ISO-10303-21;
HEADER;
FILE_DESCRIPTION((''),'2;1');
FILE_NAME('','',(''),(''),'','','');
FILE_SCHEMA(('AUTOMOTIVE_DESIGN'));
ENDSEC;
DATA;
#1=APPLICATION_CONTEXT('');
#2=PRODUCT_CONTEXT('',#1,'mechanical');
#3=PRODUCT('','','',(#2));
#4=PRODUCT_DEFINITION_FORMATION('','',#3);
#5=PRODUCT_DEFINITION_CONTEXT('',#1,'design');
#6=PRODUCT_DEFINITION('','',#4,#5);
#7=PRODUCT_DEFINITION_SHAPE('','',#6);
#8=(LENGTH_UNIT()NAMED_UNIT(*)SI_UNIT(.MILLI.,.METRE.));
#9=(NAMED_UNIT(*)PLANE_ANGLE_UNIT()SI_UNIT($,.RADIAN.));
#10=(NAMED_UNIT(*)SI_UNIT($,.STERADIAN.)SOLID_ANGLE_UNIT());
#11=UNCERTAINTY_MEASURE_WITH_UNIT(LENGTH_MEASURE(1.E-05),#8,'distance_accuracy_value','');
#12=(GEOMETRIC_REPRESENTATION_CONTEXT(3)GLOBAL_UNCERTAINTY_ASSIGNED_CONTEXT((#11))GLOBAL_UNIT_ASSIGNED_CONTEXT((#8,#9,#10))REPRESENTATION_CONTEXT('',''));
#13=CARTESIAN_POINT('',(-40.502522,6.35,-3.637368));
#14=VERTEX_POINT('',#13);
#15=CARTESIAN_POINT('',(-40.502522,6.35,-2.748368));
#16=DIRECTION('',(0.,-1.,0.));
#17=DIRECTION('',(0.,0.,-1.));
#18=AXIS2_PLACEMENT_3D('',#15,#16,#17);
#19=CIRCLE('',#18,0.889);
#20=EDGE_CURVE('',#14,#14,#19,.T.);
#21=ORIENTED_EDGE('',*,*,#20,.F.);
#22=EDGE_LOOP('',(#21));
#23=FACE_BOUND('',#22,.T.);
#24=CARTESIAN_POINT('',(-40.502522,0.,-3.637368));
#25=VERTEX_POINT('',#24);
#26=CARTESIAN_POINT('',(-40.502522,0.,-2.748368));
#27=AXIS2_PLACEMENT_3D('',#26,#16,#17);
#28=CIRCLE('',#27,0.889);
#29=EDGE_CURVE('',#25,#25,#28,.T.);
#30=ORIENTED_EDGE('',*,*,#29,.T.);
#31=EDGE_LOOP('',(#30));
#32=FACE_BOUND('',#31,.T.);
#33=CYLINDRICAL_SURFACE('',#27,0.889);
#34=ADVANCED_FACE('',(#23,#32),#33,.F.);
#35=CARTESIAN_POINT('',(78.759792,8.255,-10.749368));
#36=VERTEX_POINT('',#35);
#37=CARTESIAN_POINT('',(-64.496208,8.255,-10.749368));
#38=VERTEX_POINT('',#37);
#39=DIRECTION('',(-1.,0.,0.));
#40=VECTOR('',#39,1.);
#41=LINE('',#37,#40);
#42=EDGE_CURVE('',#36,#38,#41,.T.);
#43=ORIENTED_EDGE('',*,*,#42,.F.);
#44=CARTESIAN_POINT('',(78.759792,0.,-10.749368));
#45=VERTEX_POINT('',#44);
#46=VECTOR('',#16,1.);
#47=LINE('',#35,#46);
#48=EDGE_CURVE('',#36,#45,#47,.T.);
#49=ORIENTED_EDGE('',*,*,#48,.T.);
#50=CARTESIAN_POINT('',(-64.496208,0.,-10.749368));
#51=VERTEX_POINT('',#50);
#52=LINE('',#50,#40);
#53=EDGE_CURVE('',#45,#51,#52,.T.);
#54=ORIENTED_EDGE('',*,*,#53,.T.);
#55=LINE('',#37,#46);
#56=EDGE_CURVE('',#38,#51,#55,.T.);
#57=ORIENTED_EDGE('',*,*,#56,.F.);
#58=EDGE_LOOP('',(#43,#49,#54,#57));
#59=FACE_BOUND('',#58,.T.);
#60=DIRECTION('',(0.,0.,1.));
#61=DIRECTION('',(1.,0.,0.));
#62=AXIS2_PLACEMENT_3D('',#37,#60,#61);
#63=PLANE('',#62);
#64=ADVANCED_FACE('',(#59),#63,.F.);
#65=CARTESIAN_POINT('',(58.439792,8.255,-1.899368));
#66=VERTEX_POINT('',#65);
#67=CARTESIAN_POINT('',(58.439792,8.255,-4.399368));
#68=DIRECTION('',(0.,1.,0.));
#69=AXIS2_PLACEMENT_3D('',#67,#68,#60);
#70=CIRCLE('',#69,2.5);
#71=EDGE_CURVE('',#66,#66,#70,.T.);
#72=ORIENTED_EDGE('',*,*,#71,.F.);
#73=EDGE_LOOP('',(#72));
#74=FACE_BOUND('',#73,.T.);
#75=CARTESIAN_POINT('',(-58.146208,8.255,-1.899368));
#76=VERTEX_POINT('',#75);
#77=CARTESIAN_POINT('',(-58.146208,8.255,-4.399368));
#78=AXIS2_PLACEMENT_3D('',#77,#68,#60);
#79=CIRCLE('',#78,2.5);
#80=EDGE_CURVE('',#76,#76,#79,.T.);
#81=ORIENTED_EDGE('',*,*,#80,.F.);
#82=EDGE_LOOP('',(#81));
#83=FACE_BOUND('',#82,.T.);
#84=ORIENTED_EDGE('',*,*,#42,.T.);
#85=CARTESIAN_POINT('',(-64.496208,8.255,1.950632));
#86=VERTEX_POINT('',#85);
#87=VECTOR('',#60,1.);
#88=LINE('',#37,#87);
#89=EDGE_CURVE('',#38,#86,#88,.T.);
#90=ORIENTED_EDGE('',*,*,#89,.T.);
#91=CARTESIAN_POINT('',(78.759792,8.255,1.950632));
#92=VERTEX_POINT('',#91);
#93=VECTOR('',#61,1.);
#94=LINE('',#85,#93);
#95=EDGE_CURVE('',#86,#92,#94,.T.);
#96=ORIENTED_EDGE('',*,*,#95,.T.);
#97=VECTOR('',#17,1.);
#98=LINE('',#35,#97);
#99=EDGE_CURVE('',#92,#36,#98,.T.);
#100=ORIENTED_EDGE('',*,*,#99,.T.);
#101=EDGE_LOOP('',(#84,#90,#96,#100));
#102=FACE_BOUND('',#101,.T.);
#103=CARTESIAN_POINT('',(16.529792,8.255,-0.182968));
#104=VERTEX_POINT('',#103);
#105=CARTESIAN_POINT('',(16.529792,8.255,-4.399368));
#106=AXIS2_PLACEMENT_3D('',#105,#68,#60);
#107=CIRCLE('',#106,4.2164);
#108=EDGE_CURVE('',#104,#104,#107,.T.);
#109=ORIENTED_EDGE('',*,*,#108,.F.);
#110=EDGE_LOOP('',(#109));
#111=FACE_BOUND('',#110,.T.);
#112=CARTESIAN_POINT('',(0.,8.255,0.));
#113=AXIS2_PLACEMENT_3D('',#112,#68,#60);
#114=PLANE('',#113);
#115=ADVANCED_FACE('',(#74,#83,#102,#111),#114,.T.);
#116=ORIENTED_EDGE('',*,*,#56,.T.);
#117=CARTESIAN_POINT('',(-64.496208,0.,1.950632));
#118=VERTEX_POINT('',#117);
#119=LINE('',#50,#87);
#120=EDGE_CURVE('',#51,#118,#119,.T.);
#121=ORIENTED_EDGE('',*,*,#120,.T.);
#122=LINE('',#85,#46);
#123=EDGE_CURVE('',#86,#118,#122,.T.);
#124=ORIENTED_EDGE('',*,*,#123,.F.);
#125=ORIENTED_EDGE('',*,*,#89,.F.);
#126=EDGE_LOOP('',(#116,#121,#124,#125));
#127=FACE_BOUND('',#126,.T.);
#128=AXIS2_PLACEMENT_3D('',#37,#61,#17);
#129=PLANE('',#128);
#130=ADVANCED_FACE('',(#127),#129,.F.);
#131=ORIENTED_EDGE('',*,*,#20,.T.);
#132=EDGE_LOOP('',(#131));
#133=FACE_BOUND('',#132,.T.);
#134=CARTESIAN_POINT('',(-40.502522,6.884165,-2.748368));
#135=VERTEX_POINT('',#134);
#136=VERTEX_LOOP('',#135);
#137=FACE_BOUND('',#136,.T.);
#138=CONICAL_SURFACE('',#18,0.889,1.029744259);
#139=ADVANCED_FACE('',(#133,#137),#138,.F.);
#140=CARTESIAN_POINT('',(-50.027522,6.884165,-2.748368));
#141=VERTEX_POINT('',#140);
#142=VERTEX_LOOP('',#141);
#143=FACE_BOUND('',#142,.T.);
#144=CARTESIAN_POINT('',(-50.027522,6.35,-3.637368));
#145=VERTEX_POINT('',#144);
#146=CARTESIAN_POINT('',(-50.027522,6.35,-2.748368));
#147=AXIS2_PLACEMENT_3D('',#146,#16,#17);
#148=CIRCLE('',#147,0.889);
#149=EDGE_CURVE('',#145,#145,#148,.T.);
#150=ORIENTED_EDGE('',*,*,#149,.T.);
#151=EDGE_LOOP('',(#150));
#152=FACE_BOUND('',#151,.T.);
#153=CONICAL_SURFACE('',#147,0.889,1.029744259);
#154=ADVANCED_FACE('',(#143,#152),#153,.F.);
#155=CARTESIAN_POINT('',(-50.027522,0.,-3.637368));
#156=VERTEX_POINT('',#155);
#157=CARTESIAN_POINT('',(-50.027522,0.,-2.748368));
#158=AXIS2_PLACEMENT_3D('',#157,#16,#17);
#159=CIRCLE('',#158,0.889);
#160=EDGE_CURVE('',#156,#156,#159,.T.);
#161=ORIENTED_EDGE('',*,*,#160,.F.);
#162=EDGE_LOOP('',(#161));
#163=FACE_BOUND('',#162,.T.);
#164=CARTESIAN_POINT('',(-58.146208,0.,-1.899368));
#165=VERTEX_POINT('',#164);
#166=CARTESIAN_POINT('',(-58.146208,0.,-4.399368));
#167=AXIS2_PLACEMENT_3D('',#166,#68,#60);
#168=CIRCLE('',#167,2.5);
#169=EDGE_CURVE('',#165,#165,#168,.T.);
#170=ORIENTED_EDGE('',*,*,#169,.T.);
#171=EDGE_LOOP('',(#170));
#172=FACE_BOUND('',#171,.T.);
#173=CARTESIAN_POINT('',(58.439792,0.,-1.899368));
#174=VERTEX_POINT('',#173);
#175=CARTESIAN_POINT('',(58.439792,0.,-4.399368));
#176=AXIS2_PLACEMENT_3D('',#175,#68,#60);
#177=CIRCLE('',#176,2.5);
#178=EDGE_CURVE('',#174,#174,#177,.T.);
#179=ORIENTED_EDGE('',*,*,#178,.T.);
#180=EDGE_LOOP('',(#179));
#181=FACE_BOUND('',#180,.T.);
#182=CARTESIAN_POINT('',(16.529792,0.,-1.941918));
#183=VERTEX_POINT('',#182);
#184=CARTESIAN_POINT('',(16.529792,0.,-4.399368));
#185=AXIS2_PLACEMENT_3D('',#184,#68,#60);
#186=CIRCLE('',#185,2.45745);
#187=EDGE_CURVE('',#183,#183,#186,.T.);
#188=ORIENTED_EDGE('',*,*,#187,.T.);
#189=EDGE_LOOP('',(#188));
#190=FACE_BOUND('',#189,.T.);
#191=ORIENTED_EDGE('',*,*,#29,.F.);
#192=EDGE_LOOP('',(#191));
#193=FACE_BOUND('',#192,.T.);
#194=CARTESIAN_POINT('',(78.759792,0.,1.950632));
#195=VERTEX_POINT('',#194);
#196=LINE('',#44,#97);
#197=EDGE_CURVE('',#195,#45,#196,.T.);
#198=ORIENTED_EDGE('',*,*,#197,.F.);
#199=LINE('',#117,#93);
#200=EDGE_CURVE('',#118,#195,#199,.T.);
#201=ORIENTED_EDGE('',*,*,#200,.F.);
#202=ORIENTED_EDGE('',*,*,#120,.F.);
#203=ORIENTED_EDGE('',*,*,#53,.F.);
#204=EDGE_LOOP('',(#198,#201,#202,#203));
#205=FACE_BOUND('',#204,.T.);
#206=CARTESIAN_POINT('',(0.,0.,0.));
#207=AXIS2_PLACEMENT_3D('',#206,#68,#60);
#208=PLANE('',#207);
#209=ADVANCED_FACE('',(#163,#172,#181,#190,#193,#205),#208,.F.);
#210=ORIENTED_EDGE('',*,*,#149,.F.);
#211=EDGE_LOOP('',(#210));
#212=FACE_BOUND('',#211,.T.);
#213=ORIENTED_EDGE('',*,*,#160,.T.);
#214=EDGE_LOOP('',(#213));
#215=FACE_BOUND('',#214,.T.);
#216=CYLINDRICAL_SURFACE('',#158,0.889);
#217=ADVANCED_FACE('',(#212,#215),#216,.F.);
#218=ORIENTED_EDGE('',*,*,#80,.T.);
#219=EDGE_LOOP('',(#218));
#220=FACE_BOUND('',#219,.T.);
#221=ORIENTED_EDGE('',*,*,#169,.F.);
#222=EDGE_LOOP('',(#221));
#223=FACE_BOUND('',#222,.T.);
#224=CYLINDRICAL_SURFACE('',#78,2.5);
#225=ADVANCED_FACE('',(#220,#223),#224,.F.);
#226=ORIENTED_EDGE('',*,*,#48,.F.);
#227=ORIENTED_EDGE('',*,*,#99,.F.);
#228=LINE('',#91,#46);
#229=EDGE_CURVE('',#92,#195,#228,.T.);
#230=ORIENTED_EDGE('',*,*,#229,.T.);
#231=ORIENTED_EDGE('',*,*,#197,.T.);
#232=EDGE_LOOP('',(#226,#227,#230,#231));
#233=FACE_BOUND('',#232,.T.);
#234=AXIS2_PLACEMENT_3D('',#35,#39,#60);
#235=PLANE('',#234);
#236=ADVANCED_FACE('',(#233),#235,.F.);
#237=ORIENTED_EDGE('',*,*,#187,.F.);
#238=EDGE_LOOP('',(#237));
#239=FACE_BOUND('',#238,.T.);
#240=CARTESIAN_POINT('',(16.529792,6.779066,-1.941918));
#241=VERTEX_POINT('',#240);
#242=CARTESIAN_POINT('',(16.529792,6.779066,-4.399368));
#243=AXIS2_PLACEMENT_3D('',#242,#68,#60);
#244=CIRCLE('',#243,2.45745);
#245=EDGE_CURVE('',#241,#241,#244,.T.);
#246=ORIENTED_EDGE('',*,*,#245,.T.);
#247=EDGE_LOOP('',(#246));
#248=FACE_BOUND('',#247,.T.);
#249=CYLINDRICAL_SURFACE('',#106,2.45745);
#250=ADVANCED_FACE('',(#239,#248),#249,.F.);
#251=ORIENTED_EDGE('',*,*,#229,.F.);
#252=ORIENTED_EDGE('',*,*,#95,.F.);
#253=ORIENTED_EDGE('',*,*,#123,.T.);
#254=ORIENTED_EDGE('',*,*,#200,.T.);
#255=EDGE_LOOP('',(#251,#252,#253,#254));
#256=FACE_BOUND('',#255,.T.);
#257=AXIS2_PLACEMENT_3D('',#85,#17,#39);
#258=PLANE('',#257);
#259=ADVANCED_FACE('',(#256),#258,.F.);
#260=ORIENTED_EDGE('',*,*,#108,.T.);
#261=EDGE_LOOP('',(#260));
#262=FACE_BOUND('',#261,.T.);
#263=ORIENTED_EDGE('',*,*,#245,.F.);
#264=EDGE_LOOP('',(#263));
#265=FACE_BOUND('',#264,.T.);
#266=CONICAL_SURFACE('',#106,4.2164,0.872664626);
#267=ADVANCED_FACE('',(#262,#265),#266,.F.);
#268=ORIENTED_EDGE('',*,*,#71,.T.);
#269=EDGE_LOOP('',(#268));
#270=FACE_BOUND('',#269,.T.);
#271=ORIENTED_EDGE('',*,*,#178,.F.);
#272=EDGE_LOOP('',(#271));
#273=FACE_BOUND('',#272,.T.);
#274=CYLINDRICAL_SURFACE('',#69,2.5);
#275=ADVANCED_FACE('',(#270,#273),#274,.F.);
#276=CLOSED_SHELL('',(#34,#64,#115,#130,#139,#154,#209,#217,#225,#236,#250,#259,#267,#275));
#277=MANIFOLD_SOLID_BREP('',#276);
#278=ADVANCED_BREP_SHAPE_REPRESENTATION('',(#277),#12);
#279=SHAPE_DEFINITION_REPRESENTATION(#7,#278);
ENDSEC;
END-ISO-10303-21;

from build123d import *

# Parameters (mm, degrees)
SKETCH1_W                                         = 143.256
SKETCH1_H                                         = 12.7
BOSS_EXTRUDE1_DEPTH                               = 8.255
CSK_FOR_8_FLAT_HEAD_MACHINE_SCREW_100_D           = 4.9149
CSK_FOR_8_FLAT_HEAD_MACHINE_SCREW_100_CSINK_D     = 8.4328
CSK_FOR_8_FLAT_HEAD_MACHINE_SCREW_100_CSINK_ANGLE = 100
TAP_DRILL_FOR_2_56_TAP2_D                         = 1.778
TAP_DRILL_FOR_2_56_TAP2_DEPTH                     = 6.35
TAP_DRILL_FOR_2_56_TAP2_TIP                       = 0.53416509
TAP_DRILL_FOR_M6X1_0_TAP1_D                       = 5


with BuildPart() as part:
    # Sketch1 → Boss-Extrude1 (new body)
    with BuildSketch(Plane(origin=(0, 0, 0), x_dir=(1, 0, 0), z_dir=(0, 1, 0))):
        with Locations((7.131792208, 4.399367965)):
            Rectangle(SKETCH1_W, SKETCH1_H)
    extrude(amount=BOSS_EXTRUDE1_DEPTH)

    # CSK for #8 Flat Head Machine Screw (100)1 (through all)
    with Locations(Plane(origin=(0, 8.255, 0), x_dir=(1, 0, 0), z_dir=(0, 1, 0))):
        with Locations((16.529792208, 4.399367965)):
            CounterSinkHole(CSK_FOR_8_FLAT_HEAD_MACHINE_SCREW_100_D / 2, CSK_FOR_8_FLAT_HEAD_MACHINE_SCREW_100_CSINK_D / 2, counter_sink_angle=CSK_FOR_8_FLAT_HEAD_MACHINE_SCREW_100_CSINK_ANGLE)

    # Tap Drill for #2-56 Tap2
    with Locations(Plane(origin=(0, 0, 0), x_dir=(-1, 0, 0), z_dir=(0, -1, 0))):
        with Locations((50.027522326, 2.748367965), (40.502522326, 2.748367965)):
            Hole(TAP_DRILL_FOR_2_56_TAP2_D / 2, depth=TAP_DRILL_FOR_2_56_TAP2_DEPTH)
            with Locations((0, 0, -(TAP_DRILL_FOR_2_56_TAP2_DEPTH + TAP_DRILL_FOR_2_56_TAP2_TIP / 2))):  # 118° drill point
                Cone(0, TAP_DRILL_FOR_2_56_TAP2_D / 2, TAP_DRILL_FOR_2_56_TAP2_TIP, mode=Mode.SUBTRACT)

    # Tap Drill for M6x1.0 Tap1 (through all)
    with Locations(Plane(origin=(0, 8.255, 0), x_dir=(1, 0, 0), z_dir=(0, 1, 0))):
        with Locations((58.439792208, 4.399367965), (-58.146207792, 4.399367965)):
            Hole(TAP_DRILL_FOR_M6X1_0_TAP1_D / 2)


solid = part.part
